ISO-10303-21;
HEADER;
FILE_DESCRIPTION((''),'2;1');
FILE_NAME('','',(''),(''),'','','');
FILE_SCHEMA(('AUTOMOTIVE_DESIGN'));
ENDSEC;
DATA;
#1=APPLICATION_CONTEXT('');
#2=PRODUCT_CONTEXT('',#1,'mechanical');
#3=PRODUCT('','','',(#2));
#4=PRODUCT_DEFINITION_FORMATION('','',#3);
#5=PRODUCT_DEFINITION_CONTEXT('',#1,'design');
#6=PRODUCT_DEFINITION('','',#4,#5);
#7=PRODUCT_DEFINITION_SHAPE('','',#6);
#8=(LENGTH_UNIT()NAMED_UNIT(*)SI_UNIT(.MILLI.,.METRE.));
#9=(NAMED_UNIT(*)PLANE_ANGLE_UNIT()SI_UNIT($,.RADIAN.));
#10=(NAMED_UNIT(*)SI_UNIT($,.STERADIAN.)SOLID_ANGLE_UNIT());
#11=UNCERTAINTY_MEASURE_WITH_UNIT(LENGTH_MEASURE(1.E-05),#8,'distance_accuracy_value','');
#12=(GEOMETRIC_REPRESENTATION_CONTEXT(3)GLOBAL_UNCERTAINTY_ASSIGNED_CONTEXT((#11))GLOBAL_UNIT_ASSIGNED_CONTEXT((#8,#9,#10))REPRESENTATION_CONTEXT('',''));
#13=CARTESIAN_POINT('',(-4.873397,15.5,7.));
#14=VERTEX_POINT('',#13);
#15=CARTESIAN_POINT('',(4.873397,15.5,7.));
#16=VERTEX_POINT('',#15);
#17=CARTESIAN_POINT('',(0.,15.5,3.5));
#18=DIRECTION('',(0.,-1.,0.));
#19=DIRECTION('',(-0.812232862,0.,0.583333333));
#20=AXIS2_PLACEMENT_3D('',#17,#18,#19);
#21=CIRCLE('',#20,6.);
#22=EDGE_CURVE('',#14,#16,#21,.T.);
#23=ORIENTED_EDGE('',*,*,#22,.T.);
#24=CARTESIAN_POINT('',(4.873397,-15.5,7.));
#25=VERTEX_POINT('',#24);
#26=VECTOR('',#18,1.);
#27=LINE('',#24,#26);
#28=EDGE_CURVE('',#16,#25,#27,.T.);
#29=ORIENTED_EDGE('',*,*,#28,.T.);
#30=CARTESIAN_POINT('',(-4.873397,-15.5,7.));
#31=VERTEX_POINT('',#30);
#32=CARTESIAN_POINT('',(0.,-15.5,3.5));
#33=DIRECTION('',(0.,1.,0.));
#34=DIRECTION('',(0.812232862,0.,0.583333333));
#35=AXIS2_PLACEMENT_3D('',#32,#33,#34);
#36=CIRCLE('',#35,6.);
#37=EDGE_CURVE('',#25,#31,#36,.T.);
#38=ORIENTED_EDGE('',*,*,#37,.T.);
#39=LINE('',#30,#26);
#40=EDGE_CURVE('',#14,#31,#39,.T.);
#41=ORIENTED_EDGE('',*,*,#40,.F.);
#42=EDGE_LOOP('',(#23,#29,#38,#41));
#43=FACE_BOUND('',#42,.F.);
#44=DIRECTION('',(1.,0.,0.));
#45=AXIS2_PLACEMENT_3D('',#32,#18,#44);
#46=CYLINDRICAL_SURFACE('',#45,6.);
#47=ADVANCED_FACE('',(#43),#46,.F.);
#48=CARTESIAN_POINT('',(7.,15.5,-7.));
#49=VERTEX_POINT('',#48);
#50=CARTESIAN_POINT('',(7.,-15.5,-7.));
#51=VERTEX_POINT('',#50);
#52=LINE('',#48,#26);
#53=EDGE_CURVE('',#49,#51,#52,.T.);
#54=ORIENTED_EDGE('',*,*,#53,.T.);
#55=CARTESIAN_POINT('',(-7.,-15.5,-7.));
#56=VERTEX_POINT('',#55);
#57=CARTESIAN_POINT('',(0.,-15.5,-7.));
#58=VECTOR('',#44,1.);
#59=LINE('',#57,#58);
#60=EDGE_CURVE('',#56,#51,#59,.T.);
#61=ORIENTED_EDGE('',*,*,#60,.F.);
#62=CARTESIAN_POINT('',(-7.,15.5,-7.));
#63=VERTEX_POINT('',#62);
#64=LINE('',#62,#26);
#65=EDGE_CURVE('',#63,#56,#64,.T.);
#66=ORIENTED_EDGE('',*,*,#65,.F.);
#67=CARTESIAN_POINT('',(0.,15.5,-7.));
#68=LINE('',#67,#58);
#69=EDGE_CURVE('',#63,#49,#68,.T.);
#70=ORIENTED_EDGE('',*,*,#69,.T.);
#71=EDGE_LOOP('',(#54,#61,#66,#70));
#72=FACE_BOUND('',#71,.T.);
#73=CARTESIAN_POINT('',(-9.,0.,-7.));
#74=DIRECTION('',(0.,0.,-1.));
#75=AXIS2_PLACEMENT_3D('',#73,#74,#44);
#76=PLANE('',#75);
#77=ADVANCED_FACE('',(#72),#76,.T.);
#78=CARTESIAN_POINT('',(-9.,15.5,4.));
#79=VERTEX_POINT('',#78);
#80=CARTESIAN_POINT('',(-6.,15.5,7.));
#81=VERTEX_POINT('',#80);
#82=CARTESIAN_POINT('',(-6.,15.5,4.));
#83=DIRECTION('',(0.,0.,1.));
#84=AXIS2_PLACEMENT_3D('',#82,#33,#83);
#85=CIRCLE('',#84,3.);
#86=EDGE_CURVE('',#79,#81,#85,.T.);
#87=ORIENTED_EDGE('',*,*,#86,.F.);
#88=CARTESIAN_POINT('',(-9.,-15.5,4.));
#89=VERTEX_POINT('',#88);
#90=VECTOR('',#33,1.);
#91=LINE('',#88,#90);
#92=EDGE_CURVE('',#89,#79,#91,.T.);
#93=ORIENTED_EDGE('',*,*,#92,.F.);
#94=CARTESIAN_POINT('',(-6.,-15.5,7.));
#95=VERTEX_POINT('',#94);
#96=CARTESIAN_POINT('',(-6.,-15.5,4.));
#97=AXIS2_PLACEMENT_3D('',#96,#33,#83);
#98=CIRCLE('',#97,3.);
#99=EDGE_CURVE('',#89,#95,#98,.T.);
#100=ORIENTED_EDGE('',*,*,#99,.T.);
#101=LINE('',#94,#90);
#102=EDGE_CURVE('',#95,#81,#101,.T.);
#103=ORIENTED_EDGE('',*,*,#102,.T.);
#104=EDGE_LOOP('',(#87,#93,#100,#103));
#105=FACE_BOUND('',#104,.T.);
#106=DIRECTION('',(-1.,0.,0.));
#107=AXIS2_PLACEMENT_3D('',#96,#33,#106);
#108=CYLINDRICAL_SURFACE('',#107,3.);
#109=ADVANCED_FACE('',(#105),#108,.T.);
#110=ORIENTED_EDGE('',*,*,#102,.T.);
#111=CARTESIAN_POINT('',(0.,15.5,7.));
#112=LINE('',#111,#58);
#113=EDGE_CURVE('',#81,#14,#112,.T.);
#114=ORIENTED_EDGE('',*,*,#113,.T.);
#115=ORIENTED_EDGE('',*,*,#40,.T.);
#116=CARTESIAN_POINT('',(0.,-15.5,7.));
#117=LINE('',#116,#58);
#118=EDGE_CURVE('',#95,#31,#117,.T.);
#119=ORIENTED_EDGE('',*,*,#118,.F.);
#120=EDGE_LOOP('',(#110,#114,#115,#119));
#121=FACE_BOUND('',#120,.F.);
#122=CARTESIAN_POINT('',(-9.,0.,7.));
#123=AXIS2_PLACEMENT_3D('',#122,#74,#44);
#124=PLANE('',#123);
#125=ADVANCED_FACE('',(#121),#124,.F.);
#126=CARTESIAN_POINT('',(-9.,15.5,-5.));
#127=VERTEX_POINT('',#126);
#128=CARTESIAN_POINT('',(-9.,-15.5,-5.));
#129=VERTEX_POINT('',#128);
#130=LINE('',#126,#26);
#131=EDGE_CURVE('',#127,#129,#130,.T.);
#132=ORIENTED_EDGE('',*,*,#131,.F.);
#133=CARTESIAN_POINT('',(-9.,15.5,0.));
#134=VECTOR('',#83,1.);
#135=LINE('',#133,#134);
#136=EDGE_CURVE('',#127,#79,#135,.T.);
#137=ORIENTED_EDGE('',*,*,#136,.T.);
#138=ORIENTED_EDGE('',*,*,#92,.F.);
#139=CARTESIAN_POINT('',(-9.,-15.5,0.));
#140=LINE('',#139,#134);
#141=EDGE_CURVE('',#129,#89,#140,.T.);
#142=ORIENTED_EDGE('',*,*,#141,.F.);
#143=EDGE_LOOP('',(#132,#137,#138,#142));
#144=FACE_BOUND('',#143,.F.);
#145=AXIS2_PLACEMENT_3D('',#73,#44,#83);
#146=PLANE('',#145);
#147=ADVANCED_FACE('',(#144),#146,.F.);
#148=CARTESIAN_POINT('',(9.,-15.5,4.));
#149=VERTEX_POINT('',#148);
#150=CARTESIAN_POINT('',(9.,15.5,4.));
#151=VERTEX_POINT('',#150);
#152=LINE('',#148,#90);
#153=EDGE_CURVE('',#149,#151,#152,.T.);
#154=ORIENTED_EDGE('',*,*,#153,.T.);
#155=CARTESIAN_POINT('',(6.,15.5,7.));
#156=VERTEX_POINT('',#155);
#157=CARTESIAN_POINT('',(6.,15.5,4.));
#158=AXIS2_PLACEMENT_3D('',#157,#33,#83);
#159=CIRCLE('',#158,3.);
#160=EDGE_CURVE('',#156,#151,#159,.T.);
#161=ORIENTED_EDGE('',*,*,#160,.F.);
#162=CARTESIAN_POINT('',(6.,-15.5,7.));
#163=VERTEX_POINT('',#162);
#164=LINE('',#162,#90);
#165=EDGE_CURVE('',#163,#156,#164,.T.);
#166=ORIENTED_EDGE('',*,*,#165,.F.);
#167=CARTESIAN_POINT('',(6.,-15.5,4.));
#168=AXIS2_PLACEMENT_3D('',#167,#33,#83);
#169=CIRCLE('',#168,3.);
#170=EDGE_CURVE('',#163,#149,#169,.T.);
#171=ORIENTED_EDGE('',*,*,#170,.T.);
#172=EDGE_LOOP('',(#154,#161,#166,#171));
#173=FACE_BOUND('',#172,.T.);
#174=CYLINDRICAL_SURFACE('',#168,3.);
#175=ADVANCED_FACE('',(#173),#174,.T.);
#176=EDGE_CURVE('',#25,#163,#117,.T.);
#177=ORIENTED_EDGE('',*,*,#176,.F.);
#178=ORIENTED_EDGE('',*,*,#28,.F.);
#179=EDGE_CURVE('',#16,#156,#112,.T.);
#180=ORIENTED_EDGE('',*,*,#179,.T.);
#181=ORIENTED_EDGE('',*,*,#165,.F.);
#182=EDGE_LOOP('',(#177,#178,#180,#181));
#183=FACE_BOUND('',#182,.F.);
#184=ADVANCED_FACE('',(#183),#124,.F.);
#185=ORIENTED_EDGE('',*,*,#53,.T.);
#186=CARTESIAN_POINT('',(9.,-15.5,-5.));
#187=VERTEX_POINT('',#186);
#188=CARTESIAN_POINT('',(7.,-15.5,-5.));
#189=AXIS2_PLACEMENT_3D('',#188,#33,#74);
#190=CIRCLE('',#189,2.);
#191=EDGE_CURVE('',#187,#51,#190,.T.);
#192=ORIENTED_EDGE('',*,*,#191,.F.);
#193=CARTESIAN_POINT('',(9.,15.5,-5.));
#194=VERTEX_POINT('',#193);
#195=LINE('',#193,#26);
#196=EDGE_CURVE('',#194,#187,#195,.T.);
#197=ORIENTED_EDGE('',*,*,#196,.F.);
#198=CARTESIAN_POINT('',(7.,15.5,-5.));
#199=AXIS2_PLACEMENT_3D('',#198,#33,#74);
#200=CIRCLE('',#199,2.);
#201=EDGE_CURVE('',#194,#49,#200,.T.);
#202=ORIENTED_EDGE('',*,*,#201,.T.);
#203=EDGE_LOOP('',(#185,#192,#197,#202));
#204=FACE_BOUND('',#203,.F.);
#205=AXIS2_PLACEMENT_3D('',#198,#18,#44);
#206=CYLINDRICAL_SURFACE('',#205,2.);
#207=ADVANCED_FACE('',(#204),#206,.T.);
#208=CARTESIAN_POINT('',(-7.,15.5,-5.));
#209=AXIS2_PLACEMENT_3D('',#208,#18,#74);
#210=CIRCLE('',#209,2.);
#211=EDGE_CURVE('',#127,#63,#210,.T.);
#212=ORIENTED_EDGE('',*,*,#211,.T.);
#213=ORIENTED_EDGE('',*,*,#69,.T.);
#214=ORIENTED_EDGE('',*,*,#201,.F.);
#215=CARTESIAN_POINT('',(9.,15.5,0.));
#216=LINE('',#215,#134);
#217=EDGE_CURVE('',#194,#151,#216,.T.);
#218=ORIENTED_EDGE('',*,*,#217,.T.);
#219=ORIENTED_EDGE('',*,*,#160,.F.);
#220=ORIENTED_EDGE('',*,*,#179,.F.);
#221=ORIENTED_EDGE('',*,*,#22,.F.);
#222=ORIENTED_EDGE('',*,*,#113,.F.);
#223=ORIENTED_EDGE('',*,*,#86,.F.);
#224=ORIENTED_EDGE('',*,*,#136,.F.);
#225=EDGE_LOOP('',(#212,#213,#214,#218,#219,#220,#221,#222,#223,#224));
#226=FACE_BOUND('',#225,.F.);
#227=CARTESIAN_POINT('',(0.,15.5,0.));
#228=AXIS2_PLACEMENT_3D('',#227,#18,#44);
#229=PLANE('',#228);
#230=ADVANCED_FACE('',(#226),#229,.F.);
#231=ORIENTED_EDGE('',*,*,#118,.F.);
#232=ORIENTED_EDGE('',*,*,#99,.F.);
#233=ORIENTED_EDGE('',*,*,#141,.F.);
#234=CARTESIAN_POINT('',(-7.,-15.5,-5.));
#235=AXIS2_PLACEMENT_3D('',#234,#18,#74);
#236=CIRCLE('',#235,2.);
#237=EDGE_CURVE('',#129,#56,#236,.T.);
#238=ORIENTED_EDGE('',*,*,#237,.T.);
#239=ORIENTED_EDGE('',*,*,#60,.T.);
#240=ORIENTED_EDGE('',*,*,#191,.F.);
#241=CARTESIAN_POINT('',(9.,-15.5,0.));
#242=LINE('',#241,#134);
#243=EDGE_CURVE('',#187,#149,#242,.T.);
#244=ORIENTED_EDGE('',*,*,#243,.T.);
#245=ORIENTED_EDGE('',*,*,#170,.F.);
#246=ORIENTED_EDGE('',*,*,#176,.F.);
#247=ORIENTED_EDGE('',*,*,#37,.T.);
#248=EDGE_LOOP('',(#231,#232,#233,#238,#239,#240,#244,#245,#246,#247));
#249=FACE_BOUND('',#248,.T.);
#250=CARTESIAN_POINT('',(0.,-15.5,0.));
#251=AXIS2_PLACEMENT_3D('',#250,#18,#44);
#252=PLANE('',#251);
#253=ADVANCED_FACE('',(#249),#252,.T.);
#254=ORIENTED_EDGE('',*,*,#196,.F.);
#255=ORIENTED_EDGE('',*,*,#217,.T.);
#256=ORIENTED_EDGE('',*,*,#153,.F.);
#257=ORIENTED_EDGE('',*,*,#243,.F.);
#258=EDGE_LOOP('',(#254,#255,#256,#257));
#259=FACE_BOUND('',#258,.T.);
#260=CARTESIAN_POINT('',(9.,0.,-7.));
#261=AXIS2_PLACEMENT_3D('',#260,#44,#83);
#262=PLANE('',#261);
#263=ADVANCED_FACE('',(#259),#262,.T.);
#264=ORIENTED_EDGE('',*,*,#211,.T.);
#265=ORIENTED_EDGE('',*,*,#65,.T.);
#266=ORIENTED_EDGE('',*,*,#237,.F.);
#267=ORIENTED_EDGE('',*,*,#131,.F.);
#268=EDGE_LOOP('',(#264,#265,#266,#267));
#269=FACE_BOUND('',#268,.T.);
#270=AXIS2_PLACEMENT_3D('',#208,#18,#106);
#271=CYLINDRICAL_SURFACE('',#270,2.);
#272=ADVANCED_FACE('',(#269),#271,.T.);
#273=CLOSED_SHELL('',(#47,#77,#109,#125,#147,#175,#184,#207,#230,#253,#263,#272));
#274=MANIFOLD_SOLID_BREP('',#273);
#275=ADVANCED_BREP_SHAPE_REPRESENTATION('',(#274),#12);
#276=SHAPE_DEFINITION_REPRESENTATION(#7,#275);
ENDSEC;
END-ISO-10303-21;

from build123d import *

# Parameters (mm, degrees)
SKETCH_W     = 18
SKETCH_H     = 14
PAD_DEPTH    = 15.5
FILLET_R     = 2
SKETCH001_R  = 6
POCKET_DEPTH = 31.001
FILLET001_R  = 3


with BuildPart() as part:
    # Sketch → Pad (new body, symmetric)
    with BuildSketch(Plane.XZ):
        Rectangle(SKETCH_W, SKETCH_H)
    extrude(amount=PAD_DEPTH, both=True)

    # Fillet
    fillet_edges = [part.edges().sort_by_distance(p)[0] for p in [
        (-9, 0, -7),
        (9, 0, -7),
    ]]
    fillet(fillet_edges, radius=FILLET_R)

    # Sketch001 → Pocket (cut, through all)
    with BuildSketch(Plane.XZ.offset(15.5)):
        with Locations((0, 3.5)):
            Circle(SKETCH001_R)
    extrude(amount=-POCKET_DEPTH, mode=Mode.SUBTRACT)

    # Fillet001
    fillet001_edges = [part.edges().sort_by_distance(p)[0] for p in [
        (9, 0, 7),
        (-9, 0, 7),
    ]]
    fillet(fillet001_edges, radius=FILLET001_R)


solid = part.part
